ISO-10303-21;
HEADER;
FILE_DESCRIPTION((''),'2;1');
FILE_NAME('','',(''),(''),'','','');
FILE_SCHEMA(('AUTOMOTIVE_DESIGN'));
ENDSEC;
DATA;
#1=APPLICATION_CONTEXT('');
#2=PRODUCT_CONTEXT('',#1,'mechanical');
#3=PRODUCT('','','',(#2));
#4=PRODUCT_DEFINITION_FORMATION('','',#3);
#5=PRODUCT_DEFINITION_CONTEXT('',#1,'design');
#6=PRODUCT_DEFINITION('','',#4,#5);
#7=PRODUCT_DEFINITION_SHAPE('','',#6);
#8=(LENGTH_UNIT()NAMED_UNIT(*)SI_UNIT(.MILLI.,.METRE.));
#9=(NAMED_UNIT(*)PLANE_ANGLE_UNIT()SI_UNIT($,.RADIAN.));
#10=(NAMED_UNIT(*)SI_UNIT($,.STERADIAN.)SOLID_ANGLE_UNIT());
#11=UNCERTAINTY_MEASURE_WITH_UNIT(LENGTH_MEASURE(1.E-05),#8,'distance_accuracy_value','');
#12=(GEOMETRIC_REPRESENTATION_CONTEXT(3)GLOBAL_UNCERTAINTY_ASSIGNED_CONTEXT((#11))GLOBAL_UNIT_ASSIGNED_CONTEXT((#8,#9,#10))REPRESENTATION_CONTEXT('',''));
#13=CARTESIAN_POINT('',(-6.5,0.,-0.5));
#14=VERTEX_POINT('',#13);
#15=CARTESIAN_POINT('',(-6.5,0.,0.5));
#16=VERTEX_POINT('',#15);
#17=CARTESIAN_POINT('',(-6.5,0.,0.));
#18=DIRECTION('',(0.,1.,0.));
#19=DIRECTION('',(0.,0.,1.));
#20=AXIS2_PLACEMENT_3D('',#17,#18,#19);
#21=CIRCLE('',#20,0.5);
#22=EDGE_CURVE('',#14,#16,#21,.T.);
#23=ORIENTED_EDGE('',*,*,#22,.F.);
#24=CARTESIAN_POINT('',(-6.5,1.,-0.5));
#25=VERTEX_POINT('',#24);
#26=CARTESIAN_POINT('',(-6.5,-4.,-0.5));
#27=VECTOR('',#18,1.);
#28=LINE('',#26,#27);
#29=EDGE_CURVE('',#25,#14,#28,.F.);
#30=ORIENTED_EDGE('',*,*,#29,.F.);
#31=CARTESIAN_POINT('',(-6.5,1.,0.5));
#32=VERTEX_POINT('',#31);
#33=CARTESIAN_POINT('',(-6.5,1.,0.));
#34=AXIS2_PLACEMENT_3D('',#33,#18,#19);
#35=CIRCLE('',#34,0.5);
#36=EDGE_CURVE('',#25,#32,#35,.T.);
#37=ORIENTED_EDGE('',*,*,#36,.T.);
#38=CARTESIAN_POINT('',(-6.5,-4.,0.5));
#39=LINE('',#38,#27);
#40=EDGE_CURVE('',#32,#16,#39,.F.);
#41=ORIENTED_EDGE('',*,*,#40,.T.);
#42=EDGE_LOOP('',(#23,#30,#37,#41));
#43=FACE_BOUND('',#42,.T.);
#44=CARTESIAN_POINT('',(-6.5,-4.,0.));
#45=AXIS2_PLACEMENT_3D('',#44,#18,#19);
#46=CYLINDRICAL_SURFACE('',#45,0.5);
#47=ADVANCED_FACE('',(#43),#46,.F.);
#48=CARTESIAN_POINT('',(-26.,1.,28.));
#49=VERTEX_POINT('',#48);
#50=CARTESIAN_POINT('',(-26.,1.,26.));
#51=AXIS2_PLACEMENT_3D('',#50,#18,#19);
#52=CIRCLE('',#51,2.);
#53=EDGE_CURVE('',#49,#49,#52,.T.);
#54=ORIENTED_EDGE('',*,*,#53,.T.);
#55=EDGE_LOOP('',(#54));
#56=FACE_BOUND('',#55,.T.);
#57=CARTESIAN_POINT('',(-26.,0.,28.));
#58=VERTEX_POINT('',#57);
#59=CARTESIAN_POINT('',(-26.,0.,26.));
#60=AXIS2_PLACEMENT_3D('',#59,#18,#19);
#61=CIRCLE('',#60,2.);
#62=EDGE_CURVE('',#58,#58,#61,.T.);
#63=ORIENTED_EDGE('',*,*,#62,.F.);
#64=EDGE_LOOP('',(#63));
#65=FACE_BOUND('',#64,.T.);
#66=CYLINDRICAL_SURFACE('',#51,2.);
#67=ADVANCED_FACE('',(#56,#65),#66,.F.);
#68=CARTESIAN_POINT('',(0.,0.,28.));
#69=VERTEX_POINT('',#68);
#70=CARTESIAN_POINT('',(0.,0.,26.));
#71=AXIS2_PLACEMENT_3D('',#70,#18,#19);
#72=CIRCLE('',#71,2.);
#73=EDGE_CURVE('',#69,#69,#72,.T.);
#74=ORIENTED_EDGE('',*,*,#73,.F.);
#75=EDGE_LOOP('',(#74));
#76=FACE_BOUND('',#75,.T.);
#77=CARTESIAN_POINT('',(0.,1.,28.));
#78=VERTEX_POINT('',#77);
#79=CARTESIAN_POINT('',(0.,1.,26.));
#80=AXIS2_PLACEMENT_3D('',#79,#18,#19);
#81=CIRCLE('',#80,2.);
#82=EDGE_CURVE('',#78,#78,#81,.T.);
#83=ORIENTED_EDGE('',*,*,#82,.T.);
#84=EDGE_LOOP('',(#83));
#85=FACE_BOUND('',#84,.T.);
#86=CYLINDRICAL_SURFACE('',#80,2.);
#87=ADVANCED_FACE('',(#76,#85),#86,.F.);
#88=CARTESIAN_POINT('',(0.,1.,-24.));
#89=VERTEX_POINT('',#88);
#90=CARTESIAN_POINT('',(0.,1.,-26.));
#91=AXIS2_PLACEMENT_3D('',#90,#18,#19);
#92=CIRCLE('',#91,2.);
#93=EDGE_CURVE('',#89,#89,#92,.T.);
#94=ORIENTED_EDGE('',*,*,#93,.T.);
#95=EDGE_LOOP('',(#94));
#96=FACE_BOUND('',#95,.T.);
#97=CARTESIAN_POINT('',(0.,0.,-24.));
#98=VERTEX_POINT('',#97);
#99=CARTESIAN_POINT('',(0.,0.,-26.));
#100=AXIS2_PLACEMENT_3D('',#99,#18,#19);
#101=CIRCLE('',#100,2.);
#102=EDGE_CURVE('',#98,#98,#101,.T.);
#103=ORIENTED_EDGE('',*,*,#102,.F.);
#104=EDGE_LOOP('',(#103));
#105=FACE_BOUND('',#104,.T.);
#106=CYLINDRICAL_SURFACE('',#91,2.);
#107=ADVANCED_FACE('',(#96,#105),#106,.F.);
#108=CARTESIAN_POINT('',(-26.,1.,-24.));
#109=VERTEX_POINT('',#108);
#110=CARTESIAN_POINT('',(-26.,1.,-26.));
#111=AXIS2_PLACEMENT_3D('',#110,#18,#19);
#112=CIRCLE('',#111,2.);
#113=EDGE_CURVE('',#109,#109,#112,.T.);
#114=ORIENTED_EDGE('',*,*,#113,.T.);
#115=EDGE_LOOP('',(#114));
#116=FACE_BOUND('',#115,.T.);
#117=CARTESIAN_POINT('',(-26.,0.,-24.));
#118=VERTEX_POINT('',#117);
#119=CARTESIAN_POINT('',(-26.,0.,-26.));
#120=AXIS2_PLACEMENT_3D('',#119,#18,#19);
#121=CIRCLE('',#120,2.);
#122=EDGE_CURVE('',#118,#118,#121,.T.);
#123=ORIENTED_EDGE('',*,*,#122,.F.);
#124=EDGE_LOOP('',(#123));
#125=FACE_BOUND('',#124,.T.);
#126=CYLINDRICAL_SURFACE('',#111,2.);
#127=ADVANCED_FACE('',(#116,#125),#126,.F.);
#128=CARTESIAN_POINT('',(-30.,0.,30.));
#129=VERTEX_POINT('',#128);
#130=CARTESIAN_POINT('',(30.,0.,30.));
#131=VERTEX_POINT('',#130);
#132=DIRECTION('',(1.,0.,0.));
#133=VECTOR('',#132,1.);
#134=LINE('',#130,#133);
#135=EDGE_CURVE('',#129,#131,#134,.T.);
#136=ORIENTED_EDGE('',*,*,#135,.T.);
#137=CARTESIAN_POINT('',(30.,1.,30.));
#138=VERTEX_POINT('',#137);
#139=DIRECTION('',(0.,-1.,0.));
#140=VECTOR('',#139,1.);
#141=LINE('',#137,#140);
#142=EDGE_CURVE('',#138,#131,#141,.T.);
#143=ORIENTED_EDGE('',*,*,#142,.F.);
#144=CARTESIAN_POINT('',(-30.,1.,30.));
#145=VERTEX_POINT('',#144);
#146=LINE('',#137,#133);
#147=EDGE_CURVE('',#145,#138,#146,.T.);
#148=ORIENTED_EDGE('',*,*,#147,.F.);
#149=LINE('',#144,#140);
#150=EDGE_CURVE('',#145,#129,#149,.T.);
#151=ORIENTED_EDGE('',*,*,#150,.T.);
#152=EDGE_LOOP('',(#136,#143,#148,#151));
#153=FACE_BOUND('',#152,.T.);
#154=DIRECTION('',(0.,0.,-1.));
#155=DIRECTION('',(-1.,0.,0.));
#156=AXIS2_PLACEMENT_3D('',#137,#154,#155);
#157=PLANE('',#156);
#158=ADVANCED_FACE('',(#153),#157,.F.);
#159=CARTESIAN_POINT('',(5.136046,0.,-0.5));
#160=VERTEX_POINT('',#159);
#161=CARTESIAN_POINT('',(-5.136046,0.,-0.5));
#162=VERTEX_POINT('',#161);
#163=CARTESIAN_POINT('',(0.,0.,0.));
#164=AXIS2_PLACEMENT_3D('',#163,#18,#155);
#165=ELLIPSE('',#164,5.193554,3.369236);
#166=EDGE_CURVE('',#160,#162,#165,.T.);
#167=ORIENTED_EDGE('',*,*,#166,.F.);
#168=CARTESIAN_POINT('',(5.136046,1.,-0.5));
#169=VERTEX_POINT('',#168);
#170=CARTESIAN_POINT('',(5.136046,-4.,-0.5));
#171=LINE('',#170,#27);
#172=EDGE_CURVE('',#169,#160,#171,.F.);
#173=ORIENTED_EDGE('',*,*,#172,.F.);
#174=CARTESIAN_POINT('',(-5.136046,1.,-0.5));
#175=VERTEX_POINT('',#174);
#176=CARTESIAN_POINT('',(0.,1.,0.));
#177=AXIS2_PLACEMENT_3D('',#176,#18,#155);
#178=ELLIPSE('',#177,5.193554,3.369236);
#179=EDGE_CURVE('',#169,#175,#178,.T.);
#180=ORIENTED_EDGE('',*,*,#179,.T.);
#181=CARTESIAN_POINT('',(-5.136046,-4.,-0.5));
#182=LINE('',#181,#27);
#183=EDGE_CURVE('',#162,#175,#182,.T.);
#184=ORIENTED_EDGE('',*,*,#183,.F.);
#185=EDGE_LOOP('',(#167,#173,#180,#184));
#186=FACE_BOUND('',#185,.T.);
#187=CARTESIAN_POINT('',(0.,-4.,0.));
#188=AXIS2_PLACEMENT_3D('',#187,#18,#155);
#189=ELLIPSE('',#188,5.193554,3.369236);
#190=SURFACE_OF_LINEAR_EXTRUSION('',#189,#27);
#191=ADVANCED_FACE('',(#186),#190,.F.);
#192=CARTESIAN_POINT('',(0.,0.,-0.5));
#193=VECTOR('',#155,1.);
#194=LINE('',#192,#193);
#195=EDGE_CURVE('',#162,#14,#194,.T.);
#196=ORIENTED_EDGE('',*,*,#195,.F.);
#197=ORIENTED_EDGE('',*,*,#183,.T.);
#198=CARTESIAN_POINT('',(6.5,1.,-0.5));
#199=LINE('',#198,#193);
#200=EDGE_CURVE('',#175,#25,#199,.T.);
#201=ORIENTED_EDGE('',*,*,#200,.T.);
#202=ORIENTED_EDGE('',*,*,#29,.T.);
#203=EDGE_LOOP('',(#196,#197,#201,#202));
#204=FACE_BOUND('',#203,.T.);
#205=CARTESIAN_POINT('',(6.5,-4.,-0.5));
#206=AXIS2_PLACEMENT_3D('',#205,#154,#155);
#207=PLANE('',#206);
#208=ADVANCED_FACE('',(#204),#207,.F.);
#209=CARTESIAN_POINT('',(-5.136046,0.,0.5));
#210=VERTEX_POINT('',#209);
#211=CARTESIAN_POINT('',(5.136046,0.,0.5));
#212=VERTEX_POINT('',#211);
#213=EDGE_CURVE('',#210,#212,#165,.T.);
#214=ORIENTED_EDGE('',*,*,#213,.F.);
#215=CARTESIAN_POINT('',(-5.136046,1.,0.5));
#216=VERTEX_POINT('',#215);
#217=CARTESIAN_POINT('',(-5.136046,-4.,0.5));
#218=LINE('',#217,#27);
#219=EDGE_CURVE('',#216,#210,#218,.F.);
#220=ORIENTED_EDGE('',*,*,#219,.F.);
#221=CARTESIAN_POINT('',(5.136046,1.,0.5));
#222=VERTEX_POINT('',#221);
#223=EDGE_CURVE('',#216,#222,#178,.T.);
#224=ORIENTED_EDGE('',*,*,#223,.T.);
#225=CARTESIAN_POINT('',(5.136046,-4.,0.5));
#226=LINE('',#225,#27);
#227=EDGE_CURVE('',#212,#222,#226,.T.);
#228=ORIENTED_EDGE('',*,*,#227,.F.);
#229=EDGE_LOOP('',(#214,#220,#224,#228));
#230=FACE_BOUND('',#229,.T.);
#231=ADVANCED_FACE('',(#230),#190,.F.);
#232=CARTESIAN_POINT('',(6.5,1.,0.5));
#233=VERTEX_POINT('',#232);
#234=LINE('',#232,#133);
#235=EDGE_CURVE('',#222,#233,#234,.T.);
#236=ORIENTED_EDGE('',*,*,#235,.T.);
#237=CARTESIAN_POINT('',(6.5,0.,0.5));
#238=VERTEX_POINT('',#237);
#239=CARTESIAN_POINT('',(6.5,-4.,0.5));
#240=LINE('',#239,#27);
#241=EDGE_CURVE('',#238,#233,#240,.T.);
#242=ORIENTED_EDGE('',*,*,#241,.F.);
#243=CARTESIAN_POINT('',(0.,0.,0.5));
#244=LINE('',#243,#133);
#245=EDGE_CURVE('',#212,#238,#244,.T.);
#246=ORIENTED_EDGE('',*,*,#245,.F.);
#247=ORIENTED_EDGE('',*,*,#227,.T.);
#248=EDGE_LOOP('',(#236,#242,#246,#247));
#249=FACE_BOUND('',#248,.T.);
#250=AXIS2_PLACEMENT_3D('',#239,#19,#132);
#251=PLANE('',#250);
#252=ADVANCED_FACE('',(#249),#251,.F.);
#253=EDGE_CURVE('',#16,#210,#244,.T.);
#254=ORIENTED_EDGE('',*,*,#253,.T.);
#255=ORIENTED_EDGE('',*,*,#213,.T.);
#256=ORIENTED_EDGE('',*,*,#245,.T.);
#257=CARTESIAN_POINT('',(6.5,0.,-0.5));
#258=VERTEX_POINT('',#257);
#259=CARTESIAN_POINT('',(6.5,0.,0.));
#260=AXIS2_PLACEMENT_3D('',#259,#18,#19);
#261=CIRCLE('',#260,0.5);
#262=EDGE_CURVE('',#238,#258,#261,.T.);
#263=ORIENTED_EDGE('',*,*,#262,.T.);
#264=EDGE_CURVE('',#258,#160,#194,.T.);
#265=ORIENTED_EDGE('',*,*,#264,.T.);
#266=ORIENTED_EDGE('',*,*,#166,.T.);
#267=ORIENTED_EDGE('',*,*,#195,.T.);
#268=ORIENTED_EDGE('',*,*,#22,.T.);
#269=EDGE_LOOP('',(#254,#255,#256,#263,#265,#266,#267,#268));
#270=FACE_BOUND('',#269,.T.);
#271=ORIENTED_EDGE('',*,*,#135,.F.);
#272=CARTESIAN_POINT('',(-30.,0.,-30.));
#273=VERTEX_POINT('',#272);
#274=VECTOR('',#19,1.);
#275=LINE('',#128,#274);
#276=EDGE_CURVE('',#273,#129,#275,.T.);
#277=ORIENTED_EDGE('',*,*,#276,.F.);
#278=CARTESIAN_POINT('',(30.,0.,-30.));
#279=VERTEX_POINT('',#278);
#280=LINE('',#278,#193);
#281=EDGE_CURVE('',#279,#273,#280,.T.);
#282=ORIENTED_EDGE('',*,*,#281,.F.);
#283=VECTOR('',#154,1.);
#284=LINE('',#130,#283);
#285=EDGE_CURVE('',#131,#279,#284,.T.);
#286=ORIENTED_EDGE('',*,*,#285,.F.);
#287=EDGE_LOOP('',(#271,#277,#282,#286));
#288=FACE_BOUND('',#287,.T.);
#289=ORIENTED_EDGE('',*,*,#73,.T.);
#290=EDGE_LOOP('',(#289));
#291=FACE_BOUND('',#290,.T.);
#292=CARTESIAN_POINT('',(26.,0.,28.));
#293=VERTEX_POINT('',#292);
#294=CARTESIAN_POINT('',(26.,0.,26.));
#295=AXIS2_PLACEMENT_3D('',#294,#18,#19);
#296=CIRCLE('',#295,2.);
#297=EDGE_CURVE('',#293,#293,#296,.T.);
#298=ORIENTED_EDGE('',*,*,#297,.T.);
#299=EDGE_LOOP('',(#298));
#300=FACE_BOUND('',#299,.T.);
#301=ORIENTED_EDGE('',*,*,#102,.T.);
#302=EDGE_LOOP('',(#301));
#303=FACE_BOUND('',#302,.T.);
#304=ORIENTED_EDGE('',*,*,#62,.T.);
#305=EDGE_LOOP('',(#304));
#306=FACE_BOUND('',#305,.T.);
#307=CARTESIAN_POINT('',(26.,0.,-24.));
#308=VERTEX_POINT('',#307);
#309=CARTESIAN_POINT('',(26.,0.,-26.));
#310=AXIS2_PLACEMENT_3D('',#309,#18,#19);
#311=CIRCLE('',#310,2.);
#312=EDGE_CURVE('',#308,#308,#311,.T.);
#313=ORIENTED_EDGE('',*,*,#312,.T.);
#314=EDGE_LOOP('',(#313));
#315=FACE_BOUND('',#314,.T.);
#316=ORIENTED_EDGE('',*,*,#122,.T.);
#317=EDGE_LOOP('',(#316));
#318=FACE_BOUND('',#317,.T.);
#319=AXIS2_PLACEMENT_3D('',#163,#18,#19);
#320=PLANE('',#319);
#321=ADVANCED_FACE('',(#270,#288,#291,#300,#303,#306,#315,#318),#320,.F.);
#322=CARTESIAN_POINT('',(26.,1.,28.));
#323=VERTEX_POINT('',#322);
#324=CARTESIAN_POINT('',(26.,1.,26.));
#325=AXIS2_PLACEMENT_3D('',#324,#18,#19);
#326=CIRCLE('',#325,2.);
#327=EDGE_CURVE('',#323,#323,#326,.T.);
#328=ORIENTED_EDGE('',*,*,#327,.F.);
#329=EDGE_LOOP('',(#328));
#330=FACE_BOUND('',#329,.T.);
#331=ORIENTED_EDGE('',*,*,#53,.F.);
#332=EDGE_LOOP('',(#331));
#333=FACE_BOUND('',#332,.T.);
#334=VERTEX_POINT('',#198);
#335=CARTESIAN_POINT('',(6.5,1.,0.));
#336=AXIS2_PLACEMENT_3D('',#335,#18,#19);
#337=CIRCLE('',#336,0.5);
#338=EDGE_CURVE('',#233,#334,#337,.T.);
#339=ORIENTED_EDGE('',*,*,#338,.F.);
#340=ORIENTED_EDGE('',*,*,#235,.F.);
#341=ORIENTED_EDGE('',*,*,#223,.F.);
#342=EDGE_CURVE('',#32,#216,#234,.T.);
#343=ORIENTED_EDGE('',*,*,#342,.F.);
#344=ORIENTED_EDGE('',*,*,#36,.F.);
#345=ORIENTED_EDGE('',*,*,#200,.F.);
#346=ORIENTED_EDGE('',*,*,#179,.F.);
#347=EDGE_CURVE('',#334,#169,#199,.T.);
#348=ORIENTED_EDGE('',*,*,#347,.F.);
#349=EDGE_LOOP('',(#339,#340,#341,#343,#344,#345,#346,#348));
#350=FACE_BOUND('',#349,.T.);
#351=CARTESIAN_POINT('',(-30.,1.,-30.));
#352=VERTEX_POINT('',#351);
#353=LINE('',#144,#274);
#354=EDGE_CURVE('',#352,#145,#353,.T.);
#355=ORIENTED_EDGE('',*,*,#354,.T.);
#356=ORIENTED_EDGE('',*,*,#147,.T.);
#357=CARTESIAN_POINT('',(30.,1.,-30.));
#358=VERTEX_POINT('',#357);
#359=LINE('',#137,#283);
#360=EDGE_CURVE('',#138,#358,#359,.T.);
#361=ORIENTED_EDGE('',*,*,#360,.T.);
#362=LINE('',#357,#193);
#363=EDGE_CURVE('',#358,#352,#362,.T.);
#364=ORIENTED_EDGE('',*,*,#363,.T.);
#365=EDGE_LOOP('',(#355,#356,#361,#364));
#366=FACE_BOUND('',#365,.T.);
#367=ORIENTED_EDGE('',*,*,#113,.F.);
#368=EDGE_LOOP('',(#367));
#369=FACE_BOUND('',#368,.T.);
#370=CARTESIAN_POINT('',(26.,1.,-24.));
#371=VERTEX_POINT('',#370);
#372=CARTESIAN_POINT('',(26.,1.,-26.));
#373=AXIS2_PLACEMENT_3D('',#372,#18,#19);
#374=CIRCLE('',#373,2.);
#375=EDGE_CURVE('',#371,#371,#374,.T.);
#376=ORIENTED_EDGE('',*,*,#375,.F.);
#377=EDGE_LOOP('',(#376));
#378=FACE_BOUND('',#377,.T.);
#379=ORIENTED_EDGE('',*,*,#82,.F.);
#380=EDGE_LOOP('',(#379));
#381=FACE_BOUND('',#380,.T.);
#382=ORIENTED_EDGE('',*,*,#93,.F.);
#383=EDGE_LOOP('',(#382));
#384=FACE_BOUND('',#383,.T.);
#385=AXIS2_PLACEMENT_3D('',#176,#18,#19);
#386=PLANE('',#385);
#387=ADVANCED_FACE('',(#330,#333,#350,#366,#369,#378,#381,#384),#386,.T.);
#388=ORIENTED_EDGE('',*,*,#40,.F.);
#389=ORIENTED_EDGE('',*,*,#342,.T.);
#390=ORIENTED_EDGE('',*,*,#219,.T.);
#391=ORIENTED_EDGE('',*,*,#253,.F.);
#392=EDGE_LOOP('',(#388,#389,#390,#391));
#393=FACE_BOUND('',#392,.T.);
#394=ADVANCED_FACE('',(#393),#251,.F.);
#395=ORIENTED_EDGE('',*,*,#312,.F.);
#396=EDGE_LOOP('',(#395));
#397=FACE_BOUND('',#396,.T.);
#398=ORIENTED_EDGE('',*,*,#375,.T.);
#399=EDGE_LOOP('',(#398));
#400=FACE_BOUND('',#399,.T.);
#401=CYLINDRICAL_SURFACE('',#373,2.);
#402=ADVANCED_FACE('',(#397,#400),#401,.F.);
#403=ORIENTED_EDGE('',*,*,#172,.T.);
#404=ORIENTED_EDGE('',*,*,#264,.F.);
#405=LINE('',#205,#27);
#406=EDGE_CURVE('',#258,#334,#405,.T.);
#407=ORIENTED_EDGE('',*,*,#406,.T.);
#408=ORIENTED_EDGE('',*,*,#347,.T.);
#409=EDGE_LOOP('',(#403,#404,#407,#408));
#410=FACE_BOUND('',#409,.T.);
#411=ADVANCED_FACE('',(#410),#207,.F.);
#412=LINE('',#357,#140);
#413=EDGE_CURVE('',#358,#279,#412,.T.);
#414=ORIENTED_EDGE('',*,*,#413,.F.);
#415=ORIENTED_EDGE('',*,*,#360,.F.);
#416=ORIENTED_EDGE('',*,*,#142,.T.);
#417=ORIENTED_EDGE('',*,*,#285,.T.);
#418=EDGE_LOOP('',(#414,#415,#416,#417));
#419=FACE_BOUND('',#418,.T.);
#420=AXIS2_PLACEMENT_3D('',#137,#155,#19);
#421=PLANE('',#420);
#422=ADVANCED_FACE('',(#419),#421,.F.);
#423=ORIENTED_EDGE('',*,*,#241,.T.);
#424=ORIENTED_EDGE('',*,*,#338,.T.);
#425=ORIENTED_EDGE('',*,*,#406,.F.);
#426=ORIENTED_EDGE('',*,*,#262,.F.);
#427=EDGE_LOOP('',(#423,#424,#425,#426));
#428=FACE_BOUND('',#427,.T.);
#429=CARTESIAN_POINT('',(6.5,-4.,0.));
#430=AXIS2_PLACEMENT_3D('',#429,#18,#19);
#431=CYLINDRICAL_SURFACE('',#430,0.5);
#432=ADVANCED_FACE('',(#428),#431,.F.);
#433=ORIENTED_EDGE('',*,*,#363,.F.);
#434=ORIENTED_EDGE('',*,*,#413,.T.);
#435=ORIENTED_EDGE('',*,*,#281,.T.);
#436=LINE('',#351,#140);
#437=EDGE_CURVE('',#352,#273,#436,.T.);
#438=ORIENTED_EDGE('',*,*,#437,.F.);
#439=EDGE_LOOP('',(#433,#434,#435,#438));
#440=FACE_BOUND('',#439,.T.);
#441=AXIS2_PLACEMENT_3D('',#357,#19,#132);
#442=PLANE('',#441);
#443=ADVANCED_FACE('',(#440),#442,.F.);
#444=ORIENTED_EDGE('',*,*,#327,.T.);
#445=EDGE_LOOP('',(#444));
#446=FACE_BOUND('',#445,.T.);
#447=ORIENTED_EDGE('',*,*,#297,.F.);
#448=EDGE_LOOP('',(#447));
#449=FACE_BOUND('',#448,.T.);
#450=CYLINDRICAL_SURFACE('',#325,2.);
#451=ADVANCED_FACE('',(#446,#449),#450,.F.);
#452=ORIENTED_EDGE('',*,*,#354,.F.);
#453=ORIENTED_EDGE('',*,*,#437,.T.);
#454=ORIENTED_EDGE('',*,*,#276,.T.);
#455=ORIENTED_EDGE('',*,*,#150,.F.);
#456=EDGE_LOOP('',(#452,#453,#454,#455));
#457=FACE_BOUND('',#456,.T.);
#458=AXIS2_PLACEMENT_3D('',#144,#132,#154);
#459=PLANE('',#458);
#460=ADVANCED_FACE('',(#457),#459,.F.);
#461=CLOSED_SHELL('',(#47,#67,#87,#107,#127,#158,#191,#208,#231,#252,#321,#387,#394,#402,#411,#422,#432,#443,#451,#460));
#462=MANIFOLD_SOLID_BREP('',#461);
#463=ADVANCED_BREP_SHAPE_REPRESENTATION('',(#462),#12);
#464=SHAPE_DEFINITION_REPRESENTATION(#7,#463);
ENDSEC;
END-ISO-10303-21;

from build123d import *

# Parameters (mm, degrees)
SKETCH1_W                    = 60
SKETCH1_H                    = 60
BOSS_EXTRUDE1_DEPTH          = 1
F_4_0_4_DIAMETER_HOLE1_D     = 4
F_4_0_4_DIAMETER_HOLE1_DEPTH = 1
SKETCH3_R                    = 0.5
CUT_EXTRUDE1_DEPTH           = 5
SKETCH9_W                    = 13
SKETCH9_H                    = 1
CUT_EXTRUDE7_DEPTH           = 5
SKETCH10_RX                  = 5.193553557
SKETCH10_RY                  = 3.369235694
CUT_EXTRUDE8_DEPTH           = 5


with BuildPart() as part:
    # Sketch1 → Boss-Extrude1 (new body)
    with BuildSketch(Plane(origin=(0, 0, 0), x_dir=(1, 0, 0), z_dir=(0, 1, 0))):
        Rectangle(SKETCH1_W, SKETCH1_H)
    extrude(amount=BOSS_EXTRUDE1_DEPTH)

    # Ø4.0 (4) Diameter Hole1
    with Locations(Plane(origin=(0, 1, 0), x_dir=(1, 0, 0), z_dir=(0, 1, 0))):
        with Locations((26, 26), (0, 26), (-26, 26), (0, -26), (26, -26), (-26, -26)):
            Hole(F_4_0_4_DIAMETER_HOLE1_D / 2, depth=F_4_0_4_DIAMETER_HOLE1_DEPTH)

    # Sketch3 → Cut-Extrude1 (cut)
    with BuildSketch(Plane(origin=(0, 1, 0), x_dir=(1, 0, 0), z_dir=(0, 1, 0))):
        with Locations((6.5, 0)):
            Circle(SKETCH3_R)
        with Locations((-6.5, 0)):
            Circle(SKETCH3_R)
    extrude(amount=-CUT_EXTRUDE1_DEPTH, mode=Mode.SUBTRACT)

    # Sketch9 → Cut-Extrude7 (cut)
    with BuildSketch(Plane(origin=(0, 1, 0), x_dir=(1, 0, 0), z_dir=(0, 1, 0))):
        Rectangle(SKETCH9_W, SKETCH9_H)
    extrude(amount=-CUT_EXTRUDE7_DEPTH, mode=Mode.SUBTRACT)

    # Sketch10 → Cut-Extrude8 (cut)
    with BuildSketch(Plane(origin=(0, 1, 0), x_dir=(1, 0, 0), z_dir=(0, 1, 0))):
        with Locations(Location((0, 0), (0, 0, 180))):
            Ellipse(SKETCH10_RX, SKETCH10_RY)
    extrude(amount=-CUT_EXTRUDE8_DEPTH, mode=Mode.SUBTRACT)


solid = part.part
